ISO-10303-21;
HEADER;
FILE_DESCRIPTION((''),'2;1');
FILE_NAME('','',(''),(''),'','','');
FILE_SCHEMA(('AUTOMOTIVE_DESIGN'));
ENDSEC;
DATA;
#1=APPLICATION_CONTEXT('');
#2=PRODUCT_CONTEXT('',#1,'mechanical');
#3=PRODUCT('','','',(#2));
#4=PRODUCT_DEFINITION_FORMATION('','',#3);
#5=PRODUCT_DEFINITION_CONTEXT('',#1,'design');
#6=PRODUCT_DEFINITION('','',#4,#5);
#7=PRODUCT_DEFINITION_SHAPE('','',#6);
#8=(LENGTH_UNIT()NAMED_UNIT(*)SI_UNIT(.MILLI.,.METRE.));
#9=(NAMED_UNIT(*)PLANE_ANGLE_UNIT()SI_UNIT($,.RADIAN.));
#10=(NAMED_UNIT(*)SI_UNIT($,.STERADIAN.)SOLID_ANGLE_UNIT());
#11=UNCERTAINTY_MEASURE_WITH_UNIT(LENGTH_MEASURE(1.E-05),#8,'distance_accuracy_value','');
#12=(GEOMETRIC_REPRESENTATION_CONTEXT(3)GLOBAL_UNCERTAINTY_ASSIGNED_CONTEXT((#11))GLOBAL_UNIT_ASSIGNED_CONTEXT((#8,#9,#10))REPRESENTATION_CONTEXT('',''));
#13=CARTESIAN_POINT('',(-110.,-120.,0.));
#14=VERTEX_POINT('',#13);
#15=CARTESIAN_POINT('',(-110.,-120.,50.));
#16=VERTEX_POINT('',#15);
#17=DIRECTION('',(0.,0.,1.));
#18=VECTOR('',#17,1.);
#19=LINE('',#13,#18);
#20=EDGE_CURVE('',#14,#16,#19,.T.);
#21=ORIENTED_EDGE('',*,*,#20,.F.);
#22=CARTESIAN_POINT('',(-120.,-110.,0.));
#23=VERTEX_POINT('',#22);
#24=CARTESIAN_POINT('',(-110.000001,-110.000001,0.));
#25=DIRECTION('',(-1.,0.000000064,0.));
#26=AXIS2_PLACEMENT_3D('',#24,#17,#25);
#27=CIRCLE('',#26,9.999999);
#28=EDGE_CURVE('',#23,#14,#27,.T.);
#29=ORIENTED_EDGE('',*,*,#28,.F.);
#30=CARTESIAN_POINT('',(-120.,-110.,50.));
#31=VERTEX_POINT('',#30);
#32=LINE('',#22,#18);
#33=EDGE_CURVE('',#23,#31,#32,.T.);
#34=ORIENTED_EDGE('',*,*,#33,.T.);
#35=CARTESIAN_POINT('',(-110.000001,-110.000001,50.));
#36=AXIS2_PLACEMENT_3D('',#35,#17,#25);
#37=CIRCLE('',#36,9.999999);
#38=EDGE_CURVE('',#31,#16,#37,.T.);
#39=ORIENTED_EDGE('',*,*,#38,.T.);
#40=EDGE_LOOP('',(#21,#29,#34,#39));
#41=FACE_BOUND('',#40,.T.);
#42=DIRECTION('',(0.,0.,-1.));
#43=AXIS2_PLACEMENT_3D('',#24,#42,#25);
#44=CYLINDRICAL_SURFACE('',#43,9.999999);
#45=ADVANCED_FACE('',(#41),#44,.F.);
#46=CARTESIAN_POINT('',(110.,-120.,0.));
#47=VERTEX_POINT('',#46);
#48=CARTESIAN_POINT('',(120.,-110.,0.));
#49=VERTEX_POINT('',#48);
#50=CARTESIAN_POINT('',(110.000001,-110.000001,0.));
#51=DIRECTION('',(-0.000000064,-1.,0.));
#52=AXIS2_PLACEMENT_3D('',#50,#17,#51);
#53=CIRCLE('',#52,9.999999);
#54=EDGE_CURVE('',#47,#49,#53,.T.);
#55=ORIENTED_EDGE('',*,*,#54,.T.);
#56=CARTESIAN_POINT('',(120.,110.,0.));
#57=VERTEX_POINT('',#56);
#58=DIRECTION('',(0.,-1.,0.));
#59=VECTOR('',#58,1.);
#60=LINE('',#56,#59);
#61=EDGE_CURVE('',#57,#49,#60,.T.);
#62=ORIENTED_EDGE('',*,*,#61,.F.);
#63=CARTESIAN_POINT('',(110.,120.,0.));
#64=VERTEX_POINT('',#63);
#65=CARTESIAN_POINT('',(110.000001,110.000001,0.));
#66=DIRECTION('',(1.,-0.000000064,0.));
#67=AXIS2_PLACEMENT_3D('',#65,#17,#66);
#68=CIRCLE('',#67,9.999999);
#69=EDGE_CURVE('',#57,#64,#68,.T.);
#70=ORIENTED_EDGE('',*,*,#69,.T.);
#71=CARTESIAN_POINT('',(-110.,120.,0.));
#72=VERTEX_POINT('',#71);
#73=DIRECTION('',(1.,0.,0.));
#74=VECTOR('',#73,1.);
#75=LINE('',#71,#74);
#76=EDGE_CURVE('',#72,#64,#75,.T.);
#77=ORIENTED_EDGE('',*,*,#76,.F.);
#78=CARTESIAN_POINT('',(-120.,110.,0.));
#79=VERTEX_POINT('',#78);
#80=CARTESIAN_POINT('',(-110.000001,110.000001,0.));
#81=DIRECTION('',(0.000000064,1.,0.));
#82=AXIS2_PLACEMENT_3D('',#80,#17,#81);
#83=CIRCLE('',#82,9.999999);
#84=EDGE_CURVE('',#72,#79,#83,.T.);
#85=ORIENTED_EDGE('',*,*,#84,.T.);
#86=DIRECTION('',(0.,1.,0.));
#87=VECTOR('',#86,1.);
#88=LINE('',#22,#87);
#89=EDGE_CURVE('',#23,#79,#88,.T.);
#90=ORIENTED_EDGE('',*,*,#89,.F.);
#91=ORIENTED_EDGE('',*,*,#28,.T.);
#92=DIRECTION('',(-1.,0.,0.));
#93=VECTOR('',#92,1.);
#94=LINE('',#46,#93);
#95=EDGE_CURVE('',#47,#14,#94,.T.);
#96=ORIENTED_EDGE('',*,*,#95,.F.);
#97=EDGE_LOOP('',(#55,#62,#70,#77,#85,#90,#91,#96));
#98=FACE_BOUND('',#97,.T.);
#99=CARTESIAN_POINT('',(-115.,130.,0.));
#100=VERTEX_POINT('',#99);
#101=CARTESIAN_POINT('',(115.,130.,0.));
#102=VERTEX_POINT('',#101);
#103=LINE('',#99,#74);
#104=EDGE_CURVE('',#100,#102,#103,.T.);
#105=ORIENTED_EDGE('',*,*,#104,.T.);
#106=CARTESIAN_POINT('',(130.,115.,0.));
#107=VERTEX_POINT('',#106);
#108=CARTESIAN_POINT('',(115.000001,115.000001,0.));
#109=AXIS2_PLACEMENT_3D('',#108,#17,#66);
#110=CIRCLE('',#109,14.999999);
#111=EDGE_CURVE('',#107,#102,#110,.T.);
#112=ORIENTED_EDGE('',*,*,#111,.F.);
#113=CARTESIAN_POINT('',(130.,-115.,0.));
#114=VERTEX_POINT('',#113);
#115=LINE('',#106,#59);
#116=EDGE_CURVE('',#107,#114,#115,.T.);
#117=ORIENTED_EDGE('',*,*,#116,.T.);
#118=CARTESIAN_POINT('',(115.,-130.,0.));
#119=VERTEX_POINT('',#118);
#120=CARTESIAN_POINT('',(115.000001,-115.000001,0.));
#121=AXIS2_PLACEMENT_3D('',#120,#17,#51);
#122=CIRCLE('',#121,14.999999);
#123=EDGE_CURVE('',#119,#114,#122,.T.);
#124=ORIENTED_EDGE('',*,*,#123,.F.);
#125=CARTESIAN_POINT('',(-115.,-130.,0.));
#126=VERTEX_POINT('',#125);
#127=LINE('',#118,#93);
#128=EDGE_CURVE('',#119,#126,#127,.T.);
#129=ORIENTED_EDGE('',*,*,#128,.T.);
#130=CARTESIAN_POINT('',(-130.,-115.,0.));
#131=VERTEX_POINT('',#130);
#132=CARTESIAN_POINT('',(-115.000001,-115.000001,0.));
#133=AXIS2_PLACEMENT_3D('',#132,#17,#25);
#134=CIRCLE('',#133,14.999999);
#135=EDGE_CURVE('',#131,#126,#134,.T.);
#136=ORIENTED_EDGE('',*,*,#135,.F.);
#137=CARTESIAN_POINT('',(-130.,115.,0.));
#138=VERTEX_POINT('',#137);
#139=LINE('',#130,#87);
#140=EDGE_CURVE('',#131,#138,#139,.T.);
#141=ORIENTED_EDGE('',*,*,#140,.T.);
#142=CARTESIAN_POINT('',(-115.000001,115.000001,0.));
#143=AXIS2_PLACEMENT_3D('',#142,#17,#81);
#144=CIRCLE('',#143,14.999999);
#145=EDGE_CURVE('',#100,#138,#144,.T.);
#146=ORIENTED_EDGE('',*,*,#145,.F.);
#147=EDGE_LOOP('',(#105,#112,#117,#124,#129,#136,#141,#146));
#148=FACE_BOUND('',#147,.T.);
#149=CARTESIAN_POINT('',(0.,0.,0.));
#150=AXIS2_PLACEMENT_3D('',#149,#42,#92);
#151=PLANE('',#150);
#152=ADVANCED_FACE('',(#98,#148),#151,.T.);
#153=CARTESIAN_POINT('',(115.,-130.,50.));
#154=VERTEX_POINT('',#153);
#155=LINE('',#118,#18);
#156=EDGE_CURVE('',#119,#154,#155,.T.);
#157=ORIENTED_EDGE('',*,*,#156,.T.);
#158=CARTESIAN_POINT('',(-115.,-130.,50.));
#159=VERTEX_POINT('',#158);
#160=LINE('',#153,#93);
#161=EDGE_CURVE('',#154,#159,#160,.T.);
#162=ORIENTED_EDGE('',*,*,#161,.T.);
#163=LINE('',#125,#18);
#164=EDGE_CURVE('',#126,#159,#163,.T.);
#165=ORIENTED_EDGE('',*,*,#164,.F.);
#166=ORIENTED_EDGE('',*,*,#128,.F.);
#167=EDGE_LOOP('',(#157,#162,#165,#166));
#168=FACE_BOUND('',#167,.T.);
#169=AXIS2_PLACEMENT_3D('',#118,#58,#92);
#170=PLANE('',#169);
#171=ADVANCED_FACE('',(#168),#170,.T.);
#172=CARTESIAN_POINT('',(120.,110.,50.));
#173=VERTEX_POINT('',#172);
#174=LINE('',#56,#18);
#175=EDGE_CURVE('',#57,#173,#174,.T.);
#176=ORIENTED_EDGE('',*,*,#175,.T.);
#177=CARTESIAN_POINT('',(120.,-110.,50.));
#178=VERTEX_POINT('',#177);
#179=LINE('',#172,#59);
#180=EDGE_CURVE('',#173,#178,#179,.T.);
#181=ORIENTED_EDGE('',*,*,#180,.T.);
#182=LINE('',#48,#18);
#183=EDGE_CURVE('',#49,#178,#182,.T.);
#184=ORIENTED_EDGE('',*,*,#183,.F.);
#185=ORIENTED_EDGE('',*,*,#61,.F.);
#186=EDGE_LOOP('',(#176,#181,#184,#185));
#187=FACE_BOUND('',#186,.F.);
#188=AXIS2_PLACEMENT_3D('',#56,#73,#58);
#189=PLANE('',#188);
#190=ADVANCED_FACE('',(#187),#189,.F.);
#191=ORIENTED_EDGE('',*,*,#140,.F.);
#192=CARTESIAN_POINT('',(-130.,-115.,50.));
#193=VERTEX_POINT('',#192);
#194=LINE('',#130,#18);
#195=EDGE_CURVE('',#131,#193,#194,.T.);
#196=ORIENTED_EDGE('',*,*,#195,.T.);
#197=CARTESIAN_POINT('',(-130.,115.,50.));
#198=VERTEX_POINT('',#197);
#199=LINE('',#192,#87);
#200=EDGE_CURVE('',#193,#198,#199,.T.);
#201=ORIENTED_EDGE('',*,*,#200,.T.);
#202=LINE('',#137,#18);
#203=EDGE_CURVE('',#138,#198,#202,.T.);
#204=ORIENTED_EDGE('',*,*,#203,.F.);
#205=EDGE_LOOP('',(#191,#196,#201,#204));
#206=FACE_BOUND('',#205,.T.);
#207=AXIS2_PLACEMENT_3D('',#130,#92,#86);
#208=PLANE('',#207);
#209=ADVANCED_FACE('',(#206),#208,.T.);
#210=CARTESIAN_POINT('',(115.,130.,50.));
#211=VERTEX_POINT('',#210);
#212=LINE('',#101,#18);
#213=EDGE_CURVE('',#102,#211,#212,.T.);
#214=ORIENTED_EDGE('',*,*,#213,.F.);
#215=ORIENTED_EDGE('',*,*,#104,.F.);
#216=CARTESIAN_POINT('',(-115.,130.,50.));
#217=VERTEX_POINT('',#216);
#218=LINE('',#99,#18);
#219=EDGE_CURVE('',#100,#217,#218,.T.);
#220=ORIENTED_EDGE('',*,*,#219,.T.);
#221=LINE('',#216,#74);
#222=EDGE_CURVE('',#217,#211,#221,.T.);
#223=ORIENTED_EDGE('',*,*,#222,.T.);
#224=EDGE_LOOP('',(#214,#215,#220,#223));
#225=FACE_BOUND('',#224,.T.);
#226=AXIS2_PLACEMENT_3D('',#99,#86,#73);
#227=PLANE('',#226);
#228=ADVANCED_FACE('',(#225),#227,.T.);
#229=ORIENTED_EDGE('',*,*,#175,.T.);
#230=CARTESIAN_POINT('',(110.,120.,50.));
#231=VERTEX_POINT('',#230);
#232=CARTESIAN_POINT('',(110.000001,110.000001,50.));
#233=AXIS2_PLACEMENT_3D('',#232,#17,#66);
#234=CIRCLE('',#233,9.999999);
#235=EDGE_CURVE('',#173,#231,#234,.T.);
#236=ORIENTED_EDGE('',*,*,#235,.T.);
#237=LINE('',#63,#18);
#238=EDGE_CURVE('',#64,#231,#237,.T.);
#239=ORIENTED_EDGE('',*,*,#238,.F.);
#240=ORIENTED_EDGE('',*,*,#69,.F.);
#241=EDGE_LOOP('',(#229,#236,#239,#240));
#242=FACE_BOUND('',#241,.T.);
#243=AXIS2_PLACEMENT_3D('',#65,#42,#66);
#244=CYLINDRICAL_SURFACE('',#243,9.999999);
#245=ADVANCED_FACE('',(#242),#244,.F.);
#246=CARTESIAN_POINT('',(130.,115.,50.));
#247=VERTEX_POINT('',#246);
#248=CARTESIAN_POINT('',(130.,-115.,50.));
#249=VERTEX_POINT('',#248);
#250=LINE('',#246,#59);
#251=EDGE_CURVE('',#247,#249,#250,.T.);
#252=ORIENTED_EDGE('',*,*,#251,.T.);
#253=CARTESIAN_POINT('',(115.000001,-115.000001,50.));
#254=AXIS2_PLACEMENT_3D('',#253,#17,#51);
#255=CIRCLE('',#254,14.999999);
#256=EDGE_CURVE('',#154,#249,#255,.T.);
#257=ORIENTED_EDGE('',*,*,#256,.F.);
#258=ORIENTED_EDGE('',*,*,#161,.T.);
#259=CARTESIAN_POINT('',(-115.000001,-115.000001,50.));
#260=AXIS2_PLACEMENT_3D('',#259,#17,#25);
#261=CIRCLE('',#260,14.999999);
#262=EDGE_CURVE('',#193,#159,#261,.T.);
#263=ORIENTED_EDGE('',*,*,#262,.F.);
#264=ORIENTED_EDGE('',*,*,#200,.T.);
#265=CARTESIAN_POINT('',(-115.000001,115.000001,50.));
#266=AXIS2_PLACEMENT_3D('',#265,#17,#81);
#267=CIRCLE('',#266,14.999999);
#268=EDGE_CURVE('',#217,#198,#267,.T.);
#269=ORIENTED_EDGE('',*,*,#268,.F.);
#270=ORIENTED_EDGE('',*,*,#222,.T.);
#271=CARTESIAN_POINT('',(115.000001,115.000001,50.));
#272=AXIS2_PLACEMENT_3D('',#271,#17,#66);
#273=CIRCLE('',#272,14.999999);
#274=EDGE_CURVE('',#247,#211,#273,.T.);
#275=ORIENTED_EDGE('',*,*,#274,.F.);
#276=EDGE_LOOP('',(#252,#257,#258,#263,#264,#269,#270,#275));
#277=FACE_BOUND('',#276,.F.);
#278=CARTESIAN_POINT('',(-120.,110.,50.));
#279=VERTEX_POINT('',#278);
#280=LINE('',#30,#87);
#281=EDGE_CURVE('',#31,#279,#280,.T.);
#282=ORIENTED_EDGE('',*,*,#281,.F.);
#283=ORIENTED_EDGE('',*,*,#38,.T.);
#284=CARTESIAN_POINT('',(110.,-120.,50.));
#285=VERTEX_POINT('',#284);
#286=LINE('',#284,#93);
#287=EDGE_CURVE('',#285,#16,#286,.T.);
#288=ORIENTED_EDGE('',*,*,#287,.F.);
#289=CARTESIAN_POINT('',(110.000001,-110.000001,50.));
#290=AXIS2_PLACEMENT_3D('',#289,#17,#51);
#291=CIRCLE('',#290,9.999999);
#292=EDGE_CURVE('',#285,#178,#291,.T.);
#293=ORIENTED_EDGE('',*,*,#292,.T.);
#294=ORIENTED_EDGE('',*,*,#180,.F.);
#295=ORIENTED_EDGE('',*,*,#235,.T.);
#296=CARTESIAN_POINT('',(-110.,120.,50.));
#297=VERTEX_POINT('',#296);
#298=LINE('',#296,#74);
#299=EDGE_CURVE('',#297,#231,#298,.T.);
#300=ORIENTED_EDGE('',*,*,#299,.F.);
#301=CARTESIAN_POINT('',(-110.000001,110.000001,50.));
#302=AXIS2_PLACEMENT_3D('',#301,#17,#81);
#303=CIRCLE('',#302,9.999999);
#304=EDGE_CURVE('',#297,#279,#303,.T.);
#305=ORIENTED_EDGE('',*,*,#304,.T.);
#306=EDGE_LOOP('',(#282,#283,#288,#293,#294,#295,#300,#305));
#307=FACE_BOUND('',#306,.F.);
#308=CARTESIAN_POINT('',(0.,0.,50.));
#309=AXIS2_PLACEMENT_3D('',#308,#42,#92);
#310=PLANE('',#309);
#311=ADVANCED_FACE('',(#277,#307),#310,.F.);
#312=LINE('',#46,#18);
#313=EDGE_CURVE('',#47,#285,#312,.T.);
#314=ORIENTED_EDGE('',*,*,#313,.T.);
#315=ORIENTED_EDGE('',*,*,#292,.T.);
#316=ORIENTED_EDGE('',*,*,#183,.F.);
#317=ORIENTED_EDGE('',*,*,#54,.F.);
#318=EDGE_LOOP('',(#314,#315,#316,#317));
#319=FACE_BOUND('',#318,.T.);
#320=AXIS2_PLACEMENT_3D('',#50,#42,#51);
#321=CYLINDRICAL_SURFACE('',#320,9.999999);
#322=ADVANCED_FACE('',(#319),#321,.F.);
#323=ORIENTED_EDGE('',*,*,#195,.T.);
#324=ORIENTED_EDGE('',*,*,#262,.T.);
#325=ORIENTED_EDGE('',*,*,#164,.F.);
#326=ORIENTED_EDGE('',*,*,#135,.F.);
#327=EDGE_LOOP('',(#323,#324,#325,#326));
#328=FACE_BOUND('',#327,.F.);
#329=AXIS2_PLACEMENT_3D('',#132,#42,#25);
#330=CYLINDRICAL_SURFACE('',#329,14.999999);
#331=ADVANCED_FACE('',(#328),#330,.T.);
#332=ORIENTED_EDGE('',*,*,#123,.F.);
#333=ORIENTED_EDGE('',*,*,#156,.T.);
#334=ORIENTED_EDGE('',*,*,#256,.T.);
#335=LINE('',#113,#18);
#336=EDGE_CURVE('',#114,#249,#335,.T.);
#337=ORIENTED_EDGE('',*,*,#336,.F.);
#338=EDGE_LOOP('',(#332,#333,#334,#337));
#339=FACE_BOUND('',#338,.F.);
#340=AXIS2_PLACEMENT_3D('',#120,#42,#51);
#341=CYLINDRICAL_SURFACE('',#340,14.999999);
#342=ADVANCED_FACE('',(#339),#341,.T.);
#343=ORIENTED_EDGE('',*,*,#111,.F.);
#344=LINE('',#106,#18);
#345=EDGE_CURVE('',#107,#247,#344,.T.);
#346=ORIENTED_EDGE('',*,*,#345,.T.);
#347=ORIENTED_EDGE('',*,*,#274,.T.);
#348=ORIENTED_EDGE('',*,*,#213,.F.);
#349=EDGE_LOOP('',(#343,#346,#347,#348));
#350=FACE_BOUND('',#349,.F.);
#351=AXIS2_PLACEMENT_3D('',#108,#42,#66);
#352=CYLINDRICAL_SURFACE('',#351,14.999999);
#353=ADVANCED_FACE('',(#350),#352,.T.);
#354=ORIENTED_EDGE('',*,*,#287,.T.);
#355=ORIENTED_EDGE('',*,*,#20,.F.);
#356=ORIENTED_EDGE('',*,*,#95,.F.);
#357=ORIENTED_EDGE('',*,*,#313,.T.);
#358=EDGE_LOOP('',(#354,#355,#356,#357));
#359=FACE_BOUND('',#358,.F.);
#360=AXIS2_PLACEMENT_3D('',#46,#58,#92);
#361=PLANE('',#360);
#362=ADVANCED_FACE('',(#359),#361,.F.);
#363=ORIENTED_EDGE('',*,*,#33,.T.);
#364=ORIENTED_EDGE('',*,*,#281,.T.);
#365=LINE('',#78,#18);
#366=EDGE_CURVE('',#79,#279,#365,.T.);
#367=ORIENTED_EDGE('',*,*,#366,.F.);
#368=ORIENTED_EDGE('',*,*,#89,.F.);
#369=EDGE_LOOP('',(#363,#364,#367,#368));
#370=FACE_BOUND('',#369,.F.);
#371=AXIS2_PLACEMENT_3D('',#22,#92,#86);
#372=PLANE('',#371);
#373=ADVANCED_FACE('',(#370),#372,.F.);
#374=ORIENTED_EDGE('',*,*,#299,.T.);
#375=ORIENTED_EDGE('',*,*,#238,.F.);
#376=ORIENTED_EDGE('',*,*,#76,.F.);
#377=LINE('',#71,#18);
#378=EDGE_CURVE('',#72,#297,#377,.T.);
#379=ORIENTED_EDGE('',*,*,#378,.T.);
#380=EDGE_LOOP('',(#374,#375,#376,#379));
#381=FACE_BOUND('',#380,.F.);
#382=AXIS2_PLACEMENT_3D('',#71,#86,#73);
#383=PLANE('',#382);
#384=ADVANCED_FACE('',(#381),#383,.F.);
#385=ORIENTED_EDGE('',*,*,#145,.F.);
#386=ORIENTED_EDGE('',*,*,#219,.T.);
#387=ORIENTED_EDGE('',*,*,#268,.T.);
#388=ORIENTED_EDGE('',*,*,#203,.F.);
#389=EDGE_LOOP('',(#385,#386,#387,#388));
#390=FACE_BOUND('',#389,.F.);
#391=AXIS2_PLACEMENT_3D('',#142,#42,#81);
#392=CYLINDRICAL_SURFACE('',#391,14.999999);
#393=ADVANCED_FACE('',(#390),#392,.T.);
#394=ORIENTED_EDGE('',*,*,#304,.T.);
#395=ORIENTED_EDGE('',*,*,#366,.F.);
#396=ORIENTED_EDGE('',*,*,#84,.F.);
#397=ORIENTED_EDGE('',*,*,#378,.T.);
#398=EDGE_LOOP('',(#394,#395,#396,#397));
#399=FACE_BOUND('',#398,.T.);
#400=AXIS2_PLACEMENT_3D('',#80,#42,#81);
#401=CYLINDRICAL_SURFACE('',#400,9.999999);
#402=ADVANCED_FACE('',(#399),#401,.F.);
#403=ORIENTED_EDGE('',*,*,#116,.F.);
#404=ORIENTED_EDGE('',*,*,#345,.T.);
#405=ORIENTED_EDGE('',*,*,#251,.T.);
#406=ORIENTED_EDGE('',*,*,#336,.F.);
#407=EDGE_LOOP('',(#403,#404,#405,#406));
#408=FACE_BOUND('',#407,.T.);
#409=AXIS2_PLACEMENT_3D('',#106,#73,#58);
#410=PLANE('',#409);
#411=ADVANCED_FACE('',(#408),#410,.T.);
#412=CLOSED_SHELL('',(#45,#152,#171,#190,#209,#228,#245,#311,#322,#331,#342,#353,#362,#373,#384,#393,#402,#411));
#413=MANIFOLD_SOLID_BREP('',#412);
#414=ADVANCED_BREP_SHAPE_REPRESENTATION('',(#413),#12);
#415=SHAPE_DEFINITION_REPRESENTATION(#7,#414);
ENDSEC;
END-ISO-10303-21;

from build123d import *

# Parameters (mm, degrees)
EXTRUDE_DEPTH = 50


with BuildPart() as part:
    # Sketch → Extrude (new body)
    with BuildSketch(Plane.XY):
        with BuildLine():
            Line((-115, 130), (115, 130))
            ThreePointArc((130, 115), (125.606602, 125.606602), (115, 130))
            Line((130, 115), (130, -115))
            ThreePointArc((115, -130), (125.606602, -125.606602), (130, -115))
            Line((115, -130), (-115, -130))
            ThreePointArc((-130, -115), (-125.606602, -125.606602), (-115, -130))
            Line((-130, -115), (-130, 115))
            ThreePointArc((-115, 130), (-125.606602, 125.606602), (-130, 115))
        make_face()
        with BuildLine():
            Line((-110, 120), (110, 120))
            ThreePointArc((120, 110), (117.071068, 117.071068), (110, 120))
            Line((120, 110), (120, -110))
            ThreePointArc((110, -120), (117.071068, -117.071068), (120, -110))
            Line((110, -120), (-110, -120))
            ThreePointArc((-120, -110), (-117.071068, -117.071068), (-110, -120))
            Line((-120, -110), (-120, 110))
            ThreePointArc((-110, 120), (-117.071068, 117.071068), (-120, 110))
        make_face(mode=Mode.SUBTRACT)
    extrude(amount=EXTRUDE_DEPTH)


solid = part.part
